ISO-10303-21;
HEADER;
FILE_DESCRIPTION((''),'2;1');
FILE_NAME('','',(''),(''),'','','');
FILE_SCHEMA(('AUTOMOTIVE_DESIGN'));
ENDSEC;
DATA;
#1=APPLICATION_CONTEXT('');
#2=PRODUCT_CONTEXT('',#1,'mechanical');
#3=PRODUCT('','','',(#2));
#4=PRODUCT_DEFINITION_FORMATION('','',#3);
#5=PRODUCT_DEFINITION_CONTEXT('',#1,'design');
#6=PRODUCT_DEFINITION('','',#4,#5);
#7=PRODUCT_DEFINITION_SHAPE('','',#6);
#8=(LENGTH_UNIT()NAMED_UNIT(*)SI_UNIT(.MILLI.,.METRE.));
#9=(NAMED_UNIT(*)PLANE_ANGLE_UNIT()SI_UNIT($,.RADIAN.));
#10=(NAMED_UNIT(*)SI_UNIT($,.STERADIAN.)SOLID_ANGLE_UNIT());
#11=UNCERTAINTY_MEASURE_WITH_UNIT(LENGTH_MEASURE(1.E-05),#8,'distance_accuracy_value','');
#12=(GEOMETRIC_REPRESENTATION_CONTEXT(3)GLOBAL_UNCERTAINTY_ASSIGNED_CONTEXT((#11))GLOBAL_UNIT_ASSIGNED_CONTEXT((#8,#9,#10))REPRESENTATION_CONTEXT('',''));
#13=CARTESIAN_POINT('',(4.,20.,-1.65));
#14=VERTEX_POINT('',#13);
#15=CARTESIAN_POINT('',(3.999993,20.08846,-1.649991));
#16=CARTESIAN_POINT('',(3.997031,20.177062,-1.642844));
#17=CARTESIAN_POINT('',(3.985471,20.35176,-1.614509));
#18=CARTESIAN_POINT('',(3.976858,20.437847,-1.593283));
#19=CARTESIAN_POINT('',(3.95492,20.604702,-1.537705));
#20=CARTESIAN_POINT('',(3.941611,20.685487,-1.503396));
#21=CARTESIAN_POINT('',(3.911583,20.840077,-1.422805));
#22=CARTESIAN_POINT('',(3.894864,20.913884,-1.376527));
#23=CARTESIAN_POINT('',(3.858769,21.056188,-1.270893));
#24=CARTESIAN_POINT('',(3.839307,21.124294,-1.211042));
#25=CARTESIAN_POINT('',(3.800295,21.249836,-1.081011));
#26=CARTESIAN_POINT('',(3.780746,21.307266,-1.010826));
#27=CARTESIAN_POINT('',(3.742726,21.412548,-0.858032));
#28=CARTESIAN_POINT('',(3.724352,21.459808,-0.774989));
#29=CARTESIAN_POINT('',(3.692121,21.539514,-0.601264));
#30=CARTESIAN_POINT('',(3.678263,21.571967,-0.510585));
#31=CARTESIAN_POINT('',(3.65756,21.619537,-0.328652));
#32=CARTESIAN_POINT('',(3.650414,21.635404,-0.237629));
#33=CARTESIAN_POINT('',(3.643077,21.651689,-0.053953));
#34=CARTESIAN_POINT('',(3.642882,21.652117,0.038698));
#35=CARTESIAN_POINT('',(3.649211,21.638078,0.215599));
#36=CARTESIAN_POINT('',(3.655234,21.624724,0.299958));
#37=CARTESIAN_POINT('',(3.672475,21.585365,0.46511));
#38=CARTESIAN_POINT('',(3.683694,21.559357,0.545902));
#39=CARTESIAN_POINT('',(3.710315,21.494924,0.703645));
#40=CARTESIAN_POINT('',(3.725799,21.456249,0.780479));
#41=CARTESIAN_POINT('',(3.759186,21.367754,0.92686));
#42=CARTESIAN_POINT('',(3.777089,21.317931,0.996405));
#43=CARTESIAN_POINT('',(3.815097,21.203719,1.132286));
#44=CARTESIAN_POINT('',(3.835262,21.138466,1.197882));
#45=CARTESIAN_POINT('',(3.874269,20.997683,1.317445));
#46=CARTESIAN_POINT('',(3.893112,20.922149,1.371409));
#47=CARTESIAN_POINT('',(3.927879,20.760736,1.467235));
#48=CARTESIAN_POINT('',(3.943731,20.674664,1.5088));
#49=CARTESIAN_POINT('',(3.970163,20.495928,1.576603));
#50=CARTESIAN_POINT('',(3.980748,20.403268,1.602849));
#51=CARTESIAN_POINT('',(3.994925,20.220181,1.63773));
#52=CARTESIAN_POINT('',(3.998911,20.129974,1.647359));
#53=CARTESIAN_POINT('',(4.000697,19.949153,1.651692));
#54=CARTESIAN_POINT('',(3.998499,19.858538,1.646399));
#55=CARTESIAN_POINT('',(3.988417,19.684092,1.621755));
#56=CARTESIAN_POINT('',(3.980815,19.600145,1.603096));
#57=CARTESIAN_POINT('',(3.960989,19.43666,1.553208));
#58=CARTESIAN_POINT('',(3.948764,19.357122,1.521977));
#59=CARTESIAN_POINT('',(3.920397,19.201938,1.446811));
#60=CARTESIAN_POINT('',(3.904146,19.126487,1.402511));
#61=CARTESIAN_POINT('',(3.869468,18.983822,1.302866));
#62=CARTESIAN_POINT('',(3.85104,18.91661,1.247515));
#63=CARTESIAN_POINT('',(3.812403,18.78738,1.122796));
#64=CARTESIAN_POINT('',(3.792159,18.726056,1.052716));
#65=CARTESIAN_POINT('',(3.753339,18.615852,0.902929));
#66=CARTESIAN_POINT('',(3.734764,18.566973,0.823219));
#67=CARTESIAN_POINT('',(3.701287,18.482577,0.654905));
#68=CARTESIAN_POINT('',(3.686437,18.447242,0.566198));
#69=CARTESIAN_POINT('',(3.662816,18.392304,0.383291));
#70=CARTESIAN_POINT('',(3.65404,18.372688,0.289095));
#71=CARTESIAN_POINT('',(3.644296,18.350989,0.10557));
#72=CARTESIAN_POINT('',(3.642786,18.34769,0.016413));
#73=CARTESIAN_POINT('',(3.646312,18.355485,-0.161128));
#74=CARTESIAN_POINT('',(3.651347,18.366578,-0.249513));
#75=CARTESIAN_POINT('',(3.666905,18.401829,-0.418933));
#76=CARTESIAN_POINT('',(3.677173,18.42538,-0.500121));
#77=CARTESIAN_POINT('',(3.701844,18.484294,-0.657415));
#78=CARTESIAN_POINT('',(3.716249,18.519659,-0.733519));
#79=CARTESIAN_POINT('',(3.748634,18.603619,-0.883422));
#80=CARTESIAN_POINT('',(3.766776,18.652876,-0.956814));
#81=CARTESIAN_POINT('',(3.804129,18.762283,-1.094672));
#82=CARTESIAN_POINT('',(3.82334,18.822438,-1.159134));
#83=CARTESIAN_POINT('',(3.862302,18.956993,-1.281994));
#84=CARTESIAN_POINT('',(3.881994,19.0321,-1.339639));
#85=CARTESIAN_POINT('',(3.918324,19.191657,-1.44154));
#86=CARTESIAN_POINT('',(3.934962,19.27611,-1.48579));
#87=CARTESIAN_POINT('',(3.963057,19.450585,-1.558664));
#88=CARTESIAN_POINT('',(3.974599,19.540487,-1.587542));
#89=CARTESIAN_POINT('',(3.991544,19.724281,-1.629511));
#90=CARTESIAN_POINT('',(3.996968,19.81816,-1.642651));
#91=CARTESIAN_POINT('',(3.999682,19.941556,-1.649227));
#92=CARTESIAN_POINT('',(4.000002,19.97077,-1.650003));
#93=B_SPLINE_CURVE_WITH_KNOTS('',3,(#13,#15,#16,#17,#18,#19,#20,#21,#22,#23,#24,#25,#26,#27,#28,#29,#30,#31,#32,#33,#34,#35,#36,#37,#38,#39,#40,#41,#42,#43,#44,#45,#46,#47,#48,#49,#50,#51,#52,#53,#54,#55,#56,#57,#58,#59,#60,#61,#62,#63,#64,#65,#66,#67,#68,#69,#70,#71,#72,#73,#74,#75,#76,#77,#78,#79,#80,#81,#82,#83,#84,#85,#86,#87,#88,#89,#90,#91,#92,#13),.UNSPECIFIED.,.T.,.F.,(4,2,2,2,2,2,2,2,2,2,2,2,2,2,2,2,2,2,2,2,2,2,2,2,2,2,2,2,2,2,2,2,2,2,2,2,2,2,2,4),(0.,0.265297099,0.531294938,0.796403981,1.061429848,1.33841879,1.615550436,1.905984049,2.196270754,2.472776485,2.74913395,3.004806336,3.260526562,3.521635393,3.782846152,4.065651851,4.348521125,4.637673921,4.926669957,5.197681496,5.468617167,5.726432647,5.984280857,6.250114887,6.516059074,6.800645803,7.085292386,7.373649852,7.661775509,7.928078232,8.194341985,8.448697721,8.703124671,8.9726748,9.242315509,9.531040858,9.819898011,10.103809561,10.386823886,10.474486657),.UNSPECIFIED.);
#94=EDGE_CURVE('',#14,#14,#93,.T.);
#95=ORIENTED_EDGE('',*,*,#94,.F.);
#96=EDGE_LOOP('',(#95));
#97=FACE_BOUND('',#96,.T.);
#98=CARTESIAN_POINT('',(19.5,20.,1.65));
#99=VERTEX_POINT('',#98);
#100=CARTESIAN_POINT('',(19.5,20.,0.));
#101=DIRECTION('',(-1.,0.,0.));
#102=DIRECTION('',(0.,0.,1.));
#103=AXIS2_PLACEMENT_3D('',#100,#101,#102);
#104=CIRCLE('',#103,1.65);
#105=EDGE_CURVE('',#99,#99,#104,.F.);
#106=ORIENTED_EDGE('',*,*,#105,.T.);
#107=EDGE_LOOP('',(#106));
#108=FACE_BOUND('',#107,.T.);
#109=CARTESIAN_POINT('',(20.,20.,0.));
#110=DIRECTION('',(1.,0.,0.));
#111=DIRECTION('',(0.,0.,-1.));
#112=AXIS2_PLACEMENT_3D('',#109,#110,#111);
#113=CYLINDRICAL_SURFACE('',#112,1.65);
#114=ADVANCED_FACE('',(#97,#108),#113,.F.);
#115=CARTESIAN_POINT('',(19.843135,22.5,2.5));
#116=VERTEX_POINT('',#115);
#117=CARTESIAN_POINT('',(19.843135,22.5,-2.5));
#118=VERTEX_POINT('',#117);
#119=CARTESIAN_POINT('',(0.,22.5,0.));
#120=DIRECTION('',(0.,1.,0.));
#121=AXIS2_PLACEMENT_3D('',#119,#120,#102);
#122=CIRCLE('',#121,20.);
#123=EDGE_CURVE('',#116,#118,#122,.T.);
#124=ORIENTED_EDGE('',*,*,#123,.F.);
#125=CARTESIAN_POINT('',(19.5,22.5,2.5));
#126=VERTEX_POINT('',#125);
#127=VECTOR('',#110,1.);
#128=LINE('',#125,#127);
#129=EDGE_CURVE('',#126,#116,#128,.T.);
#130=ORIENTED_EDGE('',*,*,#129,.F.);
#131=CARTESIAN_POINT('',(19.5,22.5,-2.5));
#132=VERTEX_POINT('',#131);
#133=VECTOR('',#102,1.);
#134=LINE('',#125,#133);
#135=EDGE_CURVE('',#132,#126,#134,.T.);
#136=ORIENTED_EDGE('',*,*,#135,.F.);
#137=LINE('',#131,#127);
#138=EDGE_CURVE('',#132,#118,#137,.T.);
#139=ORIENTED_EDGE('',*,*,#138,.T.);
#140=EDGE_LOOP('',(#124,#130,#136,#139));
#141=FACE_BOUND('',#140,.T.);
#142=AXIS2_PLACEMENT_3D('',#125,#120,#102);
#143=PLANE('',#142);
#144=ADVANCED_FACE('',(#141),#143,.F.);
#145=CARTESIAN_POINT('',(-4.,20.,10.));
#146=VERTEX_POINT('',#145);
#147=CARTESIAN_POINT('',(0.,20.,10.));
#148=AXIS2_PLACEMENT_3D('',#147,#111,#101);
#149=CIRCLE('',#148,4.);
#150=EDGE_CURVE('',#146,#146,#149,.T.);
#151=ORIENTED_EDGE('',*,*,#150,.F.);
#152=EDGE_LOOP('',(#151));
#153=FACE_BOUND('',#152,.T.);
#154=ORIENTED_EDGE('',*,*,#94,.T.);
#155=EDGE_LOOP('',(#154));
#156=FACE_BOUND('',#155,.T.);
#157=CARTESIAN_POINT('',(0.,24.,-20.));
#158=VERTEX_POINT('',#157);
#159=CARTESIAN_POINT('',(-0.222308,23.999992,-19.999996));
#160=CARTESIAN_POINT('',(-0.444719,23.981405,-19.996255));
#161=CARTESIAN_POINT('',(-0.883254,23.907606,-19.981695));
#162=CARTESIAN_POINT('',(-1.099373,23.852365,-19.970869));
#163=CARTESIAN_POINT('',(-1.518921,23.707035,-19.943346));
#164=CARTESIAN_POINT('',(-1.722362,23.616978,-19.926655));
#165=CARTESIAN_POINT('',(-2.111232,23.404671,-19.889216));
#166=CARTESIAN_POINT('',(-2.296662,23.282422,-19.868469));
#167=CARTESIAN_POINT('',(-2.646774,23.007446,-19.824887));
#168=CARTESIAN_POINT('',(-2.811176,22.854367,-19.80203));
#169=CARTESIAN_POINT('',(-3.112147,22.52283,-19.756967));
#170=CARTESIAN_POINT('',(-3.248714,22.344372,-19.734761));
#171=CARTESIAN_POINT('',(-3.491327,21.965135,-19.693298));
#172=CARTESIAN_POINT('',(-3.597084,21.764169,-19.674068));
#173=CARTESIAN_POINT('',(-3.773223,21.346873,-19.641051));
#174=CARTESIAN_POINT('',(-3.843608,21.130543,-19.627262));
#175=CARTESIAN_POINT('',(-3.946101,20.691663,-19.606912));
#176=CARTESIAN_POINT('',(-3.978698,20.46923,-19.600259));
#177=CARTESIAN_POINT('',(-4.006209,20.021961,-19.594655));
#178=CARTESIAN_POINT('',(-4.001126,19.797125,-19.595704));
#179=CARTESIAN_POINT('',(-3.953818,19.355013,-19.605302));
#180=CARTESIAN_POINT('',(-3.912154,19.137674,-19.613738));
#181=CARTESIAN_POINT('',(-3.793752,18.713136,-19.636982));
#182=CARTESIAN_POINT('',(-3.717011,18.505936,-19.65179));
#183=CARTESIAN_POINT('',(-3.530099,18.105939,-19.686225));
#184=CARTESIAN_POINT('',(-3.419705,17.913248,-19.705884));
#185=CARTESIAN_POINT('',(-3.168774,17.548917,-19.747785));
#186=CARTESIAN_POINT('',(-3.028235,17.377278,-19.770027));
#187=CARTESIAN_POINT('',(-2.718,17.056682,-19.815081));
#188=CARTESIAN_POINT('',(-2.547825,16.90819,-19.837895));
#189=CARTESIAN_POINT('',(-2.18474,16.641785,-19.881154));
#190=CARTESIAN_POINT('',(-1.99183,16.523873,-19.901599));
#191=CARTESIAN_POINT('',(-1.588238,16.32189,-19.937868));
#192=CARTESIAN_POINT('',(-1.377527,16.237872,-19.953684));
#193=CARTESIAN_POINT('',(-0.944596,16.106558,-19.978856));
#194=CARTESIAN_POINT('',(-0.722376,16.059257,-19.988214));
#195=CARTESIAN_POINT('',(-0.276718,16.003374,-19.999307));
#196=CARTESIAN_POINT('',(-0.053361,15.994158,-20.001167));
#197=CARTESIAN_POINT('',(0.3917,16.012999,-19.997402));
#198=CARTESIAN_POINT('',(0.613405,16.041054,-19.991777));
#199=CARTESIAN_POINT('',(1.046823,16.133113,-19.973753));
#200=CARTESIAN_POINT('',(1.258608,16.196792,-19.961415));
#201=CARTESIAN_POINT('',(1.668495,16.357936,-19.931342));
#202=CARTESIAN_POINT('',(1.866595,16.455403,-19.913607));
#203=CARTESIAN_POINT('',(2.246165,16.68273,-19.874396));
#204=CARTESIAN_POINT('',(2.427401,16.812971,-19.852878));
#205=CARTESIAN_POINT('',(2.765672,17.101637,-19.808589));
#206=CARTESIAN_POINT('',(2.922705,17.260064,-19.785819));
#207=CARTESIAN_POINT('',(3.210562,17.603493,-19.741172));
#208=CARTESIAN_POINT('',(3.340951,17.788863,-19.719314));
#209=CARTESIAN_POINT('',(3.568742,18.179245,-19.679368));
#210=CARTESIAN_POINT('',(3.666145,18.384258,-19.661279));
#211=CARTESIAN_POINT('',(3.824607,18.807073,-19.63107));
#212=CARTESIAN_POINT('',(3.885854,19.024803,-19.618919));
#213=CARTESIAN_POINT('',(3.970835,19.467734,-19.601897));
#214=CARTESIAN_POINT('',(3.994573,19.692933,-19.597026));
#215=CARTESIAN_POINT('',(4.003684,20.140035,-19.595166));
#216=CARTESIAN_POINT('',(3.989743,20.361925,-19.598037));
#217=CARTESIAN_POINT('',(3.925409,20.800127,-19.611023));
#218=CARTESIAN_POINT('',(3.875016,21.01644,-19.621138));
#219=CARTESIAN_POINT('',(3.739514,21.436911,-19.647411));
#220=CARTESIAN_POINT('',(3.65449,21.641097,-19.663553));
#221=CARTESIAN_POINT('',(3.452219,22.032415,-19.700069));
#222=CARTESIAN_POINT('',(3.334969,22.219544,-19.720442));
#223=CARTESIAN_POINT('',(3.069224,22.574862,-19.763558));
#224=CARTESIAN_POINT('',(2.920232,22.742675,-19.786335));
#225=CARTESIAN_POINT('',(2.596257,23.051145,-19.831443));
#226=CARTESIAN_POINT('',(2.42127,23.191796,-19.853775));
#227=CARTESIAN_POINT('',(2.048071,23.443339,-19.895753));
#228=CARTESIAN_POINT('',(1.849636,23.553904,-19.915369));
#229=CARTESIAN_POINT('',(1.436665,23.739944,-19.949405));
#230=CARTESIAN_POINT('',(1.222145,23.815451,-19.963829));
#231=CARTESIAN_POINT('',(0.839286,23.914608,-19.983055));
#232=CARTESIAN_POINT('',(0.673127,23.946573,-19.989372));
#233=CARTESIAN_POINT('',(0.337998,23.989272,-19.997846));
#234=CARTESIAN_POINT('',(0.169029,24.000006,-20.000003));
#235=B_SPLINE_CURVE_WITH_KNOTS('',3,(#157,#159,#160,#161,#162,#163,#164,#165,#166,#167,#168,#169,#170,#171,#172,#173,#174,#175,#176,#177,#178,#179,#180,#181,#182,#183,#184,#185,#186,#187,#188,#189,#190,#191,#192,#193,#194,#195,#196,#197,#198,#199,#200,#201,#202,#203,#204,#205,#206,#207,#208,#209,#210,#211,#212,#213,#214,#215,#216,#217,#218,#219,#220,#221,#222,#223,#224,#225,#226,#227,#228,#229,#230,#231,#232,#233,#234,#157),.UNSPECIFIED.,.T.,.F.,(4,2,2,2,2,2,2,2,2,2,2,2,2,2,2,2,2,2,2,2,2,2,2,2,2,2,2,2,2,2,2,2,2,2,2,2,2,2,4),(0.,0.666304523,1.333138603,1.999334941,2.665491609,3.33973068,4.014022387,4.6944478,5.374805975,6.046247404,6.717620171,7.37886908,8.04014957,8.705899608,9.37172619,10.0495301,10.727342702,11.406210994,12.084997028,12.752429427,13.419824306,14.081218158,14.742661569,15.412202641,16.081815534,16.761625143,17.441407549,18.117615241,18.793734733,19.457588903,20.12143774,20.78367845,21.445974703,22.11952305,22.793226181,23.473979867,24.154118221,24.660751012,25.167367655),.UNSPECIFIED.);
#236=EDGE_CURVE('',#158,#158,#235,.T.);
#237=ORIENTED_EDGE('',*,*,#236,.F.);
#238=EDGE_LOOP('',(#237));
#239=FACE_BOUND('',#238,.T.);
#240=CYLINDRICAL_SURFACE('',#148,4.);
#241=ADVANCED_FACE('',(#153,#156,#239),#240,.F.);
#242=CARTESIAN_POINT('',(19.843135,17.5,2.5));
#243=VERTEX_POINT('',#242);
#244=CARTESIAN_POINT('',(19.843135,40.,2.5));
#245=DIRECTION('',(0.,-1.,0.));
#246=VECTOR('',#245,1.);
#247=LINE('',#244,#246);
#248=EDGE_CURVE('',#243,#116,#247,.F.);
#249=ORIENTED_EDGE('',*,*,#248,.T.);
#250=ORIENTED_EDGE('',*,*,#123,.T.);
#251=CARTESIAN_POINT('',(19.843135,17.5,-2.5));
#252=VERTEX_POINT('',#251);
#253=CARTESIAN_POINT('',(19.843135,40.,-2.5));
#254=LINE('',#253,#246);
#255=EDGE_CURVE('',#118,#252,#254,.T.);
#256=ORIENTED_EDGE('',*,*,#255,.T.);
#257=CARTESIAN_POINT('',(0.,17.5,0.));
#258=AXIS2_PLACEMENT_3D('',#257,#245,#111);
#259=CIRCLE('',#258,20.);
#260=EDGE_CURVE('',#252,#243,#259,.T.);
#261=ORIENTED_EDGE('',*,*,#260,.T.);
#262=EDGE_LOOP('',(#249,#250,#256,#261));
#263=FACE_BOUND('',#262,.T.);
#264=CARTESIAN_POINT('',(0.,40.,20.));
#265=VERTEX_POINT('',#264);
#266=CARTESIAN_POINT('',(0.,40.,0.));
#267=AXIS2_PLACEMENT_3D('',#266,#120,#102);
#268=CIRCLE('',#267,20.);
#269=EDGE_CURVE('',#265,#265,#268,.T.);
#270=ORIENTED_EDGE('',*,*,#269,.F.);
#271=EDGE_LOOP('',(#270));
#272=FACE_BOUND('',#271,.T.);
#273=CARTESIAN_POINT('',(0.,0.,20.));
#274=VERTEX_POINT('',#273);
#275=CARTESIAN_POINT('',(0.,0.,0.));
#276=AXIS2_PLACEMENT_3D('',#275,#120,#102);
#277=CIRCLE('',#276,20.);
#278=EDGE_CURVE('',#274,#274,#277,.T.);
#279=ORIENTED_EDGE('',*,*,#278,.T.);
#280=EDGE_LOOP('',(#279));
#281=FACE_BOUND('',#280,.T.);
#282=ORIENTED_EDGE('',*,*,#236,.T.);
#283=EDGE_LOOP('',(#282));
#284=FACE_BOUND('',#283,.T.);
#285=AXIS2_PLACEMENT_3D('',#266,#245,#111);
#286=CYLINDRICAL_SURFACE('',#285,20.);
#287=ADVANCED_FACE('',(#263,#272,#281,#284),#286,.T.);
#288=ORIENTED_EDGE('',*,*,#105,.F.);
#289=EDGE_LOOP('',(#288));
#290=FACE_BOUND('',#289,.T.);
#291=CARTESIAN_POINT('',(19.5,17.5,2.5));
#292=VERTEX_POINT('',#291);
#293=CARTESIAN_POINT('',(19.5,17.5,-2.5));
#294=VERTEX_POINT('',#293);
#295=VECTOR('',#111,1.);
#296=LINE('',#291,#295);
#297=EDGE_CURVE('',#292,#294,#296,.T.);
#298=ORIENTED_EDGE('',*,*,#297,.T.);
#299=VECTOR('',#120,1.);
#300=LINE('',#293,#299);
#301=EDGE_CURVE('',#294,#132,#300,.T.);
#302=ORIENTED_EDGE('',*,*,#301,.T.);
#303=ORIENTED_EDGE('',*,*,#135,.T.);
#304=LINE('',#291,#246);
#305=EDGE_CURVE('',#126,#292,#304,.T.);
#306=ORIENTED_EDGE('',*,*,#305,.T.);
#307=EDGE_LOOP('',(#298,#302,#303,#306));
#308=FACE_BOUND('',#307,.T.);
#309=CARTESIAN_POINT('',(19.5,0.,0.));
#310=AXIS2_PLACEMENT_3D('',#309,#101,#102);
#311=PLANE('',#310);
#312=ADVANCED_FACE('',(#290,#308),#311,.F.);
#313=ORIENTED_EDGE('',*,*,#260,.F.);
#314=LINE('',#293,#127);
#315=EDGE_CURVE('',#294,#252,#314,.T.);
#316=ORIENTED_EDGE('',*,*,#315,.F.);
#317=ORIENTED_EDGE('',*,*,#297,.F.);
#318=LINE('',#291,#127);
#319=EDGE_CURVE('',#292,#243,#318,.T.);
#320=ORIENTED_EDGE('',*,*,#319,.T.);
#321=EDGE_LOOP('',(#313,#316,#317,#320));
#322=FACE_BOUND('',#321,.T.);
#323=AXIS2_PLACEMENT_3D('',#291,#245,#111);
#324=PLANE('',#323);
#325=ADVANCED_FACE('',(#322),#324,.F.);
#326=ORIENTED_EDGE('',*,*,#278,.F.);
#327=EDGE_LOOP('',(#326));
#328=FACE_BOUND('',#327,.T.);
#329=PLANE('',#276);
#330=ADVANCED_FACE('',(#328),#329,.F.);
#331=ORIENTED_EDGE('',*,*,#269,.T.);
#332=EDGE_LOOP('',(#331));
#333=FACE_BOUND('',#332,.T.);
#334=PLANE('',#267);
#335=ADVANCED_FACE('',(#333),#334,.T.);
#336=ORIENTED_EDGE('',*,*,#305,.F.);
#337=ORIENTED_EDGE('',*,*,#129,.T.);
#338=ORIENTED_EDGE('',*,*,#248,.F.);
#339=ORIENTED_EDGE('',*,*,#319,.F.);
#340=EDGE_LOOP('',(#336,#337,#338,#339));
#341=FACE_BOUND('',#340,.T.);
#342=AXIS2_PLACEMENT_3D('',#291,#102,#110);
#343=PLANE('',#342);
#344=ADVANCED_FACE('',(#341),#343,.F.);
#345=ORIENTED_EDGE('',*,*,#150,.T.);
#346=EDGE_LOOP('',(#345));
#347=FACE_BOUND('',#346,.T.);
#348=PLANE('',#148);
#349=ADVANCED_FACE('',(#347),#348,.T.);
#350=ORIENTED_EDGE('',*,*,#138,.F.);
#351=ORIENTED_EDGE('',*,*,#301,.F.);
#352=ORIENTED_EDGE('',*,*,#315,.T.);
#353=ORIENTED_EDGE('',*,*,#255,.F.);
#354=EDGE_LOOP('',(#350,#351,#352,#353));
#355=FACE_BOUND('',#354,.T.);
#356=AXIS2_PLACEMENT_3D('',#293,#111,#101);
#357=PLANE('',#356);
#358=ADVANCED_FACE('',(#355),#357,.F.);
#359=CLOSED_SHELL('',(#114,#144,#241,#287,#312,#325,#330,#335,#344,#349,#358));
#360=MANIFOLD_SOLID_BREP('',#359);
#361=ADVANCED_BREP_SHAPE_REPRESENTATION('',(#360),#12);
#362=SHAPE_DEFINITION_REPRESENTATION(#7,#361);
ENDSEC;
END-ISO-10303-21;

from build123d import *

# Parameters (mm, degrees)
SKETCH1_R                  = 20
BOSS_EXTRUDE1_DEPTH        = 40
SKETCH3_R                  = 4
CUT_EXTRUDE1_DEPTH         = 30
M4X0_7_TAPPED_HOLE1_REACH  = 50.99
M4X0_7_TAPPED_HOLE1_BORE_R = 1.65
SKETCH4_W                  = 5
SKETCH4_H                  = 5
CUT_EXTRUDE2_DEPTH         = 0.5


with BuildPart() as part:
    # Sketch1 → Boss-Extrude1 (new body)
    with BuildSketch(Plane(origin=(0, 0, 0), x_dir=(1, 0, 0), z_dir=(0, 1, 0))):
        with Locations(Location((0, 0, 0), (0, 0, 270))):
            Circle(SKETCH1_R)
    extrude(amount=BOSS_EXTRUDE1_DEPTH)

    # Sketch3 → Cut-Extrude1 (cut)
    with BuildSketch(Plane(origin=(0, 0, -20), x_dir=(-1, 0, 0), z_dir=(0, 0, -1))):
        with Locations((0, 20)):
            Circle(SKETCH3_R)
    extrude(amount=-CUT_EXTRUDE1_DEPTH, mode=Mode.SUBTRACT)

    # M4x0.7 Tapped Hole1 bore (on position points) → M4x0.7 Tapped Hole1 (cut, up to next)
    with BuildSketch(Plane(origin=(20, 20, 0), x_dir=(0, 0, 1), z_dir=(1, 0, 0)), mode=Mode.PRIVATE) as m4x0_7_tapped_hole1_sk1:
        Circle(M4X0_7_TAPPED_HOLE1_BORE_R)
    m4x0_7_tapped_hole1_tool1 = extrude(m4x0_7_tapped_hole1_sk1.sketch, amount=-M4X0_7_TAPPED_HOLE1_REACH, mode=Mode.PRIVATE) & part.part
    add(m4x0_7_tapped_hole1_tool1.solids().sort_by_distance((20, 20, 0))[0], mode=Mode.SUBTRACT)

    # Sketch4 → Cut-Extrude2 (cut)
    with BuildSketch(Plane(origin=(20, 0, 0), x_dir=(0, 0, -1), z_dir=(1, 0, 0))):
        with Locations((0, 20)):
            Rectangle(SKETCH4_W, SKETCH4_H)
    extrude(amount=-CUT_EXTRUDE2_DEPTH, mode=Mode.SUBTRACT)


solid = part.part
